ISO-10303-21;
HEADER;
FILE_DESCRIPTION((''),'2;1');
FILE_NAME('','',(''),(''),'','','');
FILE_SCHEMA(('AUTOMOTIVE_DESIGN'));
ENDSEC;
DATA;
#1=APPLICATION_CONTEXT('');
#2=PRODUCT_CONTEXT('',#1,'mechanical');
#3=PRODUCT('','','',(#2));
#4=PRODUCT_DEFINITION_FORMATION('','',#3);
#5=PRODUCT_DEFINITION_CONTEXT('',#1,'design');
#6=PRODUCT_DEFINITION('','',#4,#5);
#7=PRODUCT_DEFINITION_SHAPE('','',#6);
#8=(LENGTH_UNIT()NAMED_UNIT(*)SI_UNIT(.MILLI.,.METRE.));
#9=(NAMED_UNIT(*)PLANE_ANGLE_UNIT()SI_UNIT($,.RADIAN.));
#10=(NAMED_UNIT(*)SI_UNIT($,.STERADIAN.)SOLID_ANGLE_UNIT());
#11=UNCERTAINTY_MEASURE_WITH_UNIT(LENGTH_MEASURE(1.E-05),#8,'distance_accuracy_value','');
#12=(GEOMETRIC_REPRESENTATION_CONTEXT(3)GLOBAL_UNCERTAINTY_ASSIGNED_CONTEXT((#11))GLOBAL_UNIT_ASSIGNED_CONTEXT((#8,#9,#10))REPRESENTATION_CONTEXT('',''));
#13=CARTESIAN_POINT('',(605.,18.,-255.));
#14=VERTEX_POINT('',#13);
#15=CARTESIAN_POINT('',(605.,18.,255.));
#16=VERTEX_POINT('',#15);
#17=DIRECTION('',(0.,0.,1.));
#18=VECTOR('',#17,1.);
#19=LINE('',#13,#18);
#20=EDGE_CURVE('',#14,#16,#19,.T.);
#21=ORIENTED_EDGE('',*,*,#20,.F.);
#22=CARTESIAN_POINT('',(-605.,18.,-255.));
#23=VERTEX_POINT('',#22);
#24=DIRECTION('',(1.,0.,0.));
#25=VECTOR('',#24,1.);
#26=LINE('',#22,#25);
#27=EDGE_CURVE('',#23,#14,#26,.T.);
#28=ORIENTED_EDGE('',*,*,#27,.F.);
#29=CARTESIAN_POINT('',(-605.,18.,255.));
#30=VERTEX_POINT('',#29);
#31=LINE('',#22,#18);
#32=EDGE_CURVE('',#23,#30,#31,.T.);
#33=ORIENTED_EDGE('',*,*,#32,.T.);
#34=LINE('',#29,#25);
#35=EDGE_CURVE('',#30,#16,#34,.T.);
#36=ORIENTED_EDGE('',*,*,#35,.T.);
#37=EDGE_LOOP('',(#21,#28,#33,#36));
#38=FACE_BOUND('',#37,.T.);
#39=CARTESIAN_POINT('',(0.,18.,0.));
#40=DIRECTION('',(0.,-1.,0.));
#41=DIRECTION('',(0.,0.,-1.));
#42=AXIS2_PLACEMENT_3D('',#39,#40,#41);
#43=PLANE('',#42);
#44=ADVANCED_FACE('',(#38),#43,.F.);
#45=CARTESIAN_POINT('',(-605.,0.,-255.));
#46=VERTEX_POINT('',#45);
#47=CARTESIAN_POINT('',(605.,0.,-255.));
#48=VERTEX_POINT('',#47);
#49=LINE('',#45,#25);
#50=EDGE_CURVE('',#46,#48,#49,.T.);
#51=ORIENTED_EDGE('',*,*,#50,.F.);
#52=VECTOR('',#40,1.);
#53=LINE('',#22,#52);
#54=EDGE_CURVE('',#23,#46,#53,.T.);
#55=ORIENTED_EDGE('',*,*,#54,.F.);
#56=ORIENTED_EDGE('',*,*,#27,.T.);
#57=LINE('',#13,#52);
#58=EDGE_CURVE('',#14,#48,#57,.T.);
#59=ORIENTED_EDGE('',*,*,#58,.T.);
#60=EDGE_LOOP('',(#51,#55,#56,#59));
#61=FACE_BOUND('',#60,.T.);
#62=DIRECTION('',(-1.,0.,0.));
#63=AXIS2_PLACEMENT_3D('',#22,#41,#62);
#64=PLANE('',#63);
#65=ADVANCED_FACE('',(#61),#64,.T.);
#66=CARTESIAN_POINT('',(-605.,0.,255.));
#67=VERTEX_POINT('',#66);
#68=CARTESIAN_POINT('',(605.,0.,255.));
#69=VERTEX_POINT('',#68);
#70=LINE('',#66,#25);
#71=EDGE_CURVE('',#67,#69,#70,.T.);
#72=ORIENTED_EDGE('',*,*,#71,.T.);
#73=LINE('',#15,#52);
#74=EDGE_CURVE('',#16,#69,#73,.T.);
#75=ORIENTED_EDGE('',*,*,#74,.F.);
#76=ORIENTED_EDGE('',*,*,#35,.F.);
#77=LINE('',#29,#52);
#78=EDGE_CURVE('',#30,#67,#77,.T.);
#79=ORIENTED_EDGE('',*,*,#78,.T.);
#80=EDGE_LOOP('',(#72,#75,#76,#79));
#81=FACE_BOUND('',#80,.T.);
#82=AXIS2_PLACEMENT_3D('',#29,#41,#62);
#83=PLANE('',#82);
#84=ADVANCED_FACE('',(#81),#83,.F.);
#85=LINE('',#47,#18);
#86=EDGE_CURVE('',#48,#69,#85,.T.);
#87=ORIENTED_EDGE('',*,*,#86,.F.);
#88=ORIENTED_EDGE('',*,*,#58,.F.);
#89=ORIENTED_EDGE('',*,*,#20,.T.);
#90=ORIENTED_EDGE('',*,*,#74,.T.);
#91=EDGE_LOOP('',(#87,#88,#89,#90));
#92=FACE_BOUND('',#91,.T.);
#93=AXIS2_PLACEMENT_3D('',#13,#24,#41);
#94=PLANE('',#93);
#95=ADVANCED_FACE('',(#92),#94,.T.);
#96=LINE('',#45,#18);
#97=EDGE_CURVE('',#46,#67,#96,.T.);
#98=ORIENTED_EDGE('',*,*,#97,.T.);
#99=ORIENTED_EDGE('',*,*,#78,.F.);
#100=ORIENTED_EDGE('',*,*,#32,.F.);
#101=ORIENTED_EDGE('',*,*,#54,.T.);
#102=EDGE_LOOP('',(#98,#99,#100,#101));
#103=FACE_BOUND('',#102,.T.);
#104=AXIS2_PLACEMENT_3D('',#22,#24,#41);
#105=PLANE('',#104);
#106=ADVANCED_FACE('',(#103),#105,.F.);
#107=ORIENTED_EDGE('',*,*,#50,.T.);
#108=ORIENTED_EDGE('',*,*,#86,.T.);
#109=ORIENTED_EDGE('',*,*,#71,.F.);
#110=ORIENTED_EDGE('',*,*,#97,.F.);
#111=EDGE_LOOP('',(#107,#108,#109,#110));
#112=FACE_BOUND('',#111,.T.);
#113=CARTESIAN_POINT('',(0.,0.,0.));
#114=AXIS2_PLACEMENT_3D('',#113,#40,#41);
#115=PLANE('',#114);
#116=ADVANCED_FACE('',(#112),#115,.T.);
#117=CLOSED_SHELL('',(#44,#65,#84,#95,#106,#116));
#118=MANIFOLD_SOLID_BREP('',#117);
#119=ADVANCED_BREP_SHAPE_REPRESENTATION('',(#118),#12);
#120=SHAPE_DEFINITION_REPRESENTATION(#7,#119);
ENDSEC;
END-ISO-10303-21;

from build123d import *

# Parameters (mm, degrees)
ESQUISSE1_W        = 1210
ESQUISSE1_H        = 510
BOSS_EXTRU_1_DEPTH = 18


with BuildPart() as part:
    # Esquisse1 → Boss.-Extru.1 (new body)
    with BuildSketch(Plane(origin=(0, 0, 0), x_dir=(1, 0, 0), z_dir=(0, 1, 0))):
        Rectangle(ESQUISSE1_W, ESQUISSE1_H)
    extrude(amount=BOSS_EXTRU_1_DEPTH)


solid = part.part
